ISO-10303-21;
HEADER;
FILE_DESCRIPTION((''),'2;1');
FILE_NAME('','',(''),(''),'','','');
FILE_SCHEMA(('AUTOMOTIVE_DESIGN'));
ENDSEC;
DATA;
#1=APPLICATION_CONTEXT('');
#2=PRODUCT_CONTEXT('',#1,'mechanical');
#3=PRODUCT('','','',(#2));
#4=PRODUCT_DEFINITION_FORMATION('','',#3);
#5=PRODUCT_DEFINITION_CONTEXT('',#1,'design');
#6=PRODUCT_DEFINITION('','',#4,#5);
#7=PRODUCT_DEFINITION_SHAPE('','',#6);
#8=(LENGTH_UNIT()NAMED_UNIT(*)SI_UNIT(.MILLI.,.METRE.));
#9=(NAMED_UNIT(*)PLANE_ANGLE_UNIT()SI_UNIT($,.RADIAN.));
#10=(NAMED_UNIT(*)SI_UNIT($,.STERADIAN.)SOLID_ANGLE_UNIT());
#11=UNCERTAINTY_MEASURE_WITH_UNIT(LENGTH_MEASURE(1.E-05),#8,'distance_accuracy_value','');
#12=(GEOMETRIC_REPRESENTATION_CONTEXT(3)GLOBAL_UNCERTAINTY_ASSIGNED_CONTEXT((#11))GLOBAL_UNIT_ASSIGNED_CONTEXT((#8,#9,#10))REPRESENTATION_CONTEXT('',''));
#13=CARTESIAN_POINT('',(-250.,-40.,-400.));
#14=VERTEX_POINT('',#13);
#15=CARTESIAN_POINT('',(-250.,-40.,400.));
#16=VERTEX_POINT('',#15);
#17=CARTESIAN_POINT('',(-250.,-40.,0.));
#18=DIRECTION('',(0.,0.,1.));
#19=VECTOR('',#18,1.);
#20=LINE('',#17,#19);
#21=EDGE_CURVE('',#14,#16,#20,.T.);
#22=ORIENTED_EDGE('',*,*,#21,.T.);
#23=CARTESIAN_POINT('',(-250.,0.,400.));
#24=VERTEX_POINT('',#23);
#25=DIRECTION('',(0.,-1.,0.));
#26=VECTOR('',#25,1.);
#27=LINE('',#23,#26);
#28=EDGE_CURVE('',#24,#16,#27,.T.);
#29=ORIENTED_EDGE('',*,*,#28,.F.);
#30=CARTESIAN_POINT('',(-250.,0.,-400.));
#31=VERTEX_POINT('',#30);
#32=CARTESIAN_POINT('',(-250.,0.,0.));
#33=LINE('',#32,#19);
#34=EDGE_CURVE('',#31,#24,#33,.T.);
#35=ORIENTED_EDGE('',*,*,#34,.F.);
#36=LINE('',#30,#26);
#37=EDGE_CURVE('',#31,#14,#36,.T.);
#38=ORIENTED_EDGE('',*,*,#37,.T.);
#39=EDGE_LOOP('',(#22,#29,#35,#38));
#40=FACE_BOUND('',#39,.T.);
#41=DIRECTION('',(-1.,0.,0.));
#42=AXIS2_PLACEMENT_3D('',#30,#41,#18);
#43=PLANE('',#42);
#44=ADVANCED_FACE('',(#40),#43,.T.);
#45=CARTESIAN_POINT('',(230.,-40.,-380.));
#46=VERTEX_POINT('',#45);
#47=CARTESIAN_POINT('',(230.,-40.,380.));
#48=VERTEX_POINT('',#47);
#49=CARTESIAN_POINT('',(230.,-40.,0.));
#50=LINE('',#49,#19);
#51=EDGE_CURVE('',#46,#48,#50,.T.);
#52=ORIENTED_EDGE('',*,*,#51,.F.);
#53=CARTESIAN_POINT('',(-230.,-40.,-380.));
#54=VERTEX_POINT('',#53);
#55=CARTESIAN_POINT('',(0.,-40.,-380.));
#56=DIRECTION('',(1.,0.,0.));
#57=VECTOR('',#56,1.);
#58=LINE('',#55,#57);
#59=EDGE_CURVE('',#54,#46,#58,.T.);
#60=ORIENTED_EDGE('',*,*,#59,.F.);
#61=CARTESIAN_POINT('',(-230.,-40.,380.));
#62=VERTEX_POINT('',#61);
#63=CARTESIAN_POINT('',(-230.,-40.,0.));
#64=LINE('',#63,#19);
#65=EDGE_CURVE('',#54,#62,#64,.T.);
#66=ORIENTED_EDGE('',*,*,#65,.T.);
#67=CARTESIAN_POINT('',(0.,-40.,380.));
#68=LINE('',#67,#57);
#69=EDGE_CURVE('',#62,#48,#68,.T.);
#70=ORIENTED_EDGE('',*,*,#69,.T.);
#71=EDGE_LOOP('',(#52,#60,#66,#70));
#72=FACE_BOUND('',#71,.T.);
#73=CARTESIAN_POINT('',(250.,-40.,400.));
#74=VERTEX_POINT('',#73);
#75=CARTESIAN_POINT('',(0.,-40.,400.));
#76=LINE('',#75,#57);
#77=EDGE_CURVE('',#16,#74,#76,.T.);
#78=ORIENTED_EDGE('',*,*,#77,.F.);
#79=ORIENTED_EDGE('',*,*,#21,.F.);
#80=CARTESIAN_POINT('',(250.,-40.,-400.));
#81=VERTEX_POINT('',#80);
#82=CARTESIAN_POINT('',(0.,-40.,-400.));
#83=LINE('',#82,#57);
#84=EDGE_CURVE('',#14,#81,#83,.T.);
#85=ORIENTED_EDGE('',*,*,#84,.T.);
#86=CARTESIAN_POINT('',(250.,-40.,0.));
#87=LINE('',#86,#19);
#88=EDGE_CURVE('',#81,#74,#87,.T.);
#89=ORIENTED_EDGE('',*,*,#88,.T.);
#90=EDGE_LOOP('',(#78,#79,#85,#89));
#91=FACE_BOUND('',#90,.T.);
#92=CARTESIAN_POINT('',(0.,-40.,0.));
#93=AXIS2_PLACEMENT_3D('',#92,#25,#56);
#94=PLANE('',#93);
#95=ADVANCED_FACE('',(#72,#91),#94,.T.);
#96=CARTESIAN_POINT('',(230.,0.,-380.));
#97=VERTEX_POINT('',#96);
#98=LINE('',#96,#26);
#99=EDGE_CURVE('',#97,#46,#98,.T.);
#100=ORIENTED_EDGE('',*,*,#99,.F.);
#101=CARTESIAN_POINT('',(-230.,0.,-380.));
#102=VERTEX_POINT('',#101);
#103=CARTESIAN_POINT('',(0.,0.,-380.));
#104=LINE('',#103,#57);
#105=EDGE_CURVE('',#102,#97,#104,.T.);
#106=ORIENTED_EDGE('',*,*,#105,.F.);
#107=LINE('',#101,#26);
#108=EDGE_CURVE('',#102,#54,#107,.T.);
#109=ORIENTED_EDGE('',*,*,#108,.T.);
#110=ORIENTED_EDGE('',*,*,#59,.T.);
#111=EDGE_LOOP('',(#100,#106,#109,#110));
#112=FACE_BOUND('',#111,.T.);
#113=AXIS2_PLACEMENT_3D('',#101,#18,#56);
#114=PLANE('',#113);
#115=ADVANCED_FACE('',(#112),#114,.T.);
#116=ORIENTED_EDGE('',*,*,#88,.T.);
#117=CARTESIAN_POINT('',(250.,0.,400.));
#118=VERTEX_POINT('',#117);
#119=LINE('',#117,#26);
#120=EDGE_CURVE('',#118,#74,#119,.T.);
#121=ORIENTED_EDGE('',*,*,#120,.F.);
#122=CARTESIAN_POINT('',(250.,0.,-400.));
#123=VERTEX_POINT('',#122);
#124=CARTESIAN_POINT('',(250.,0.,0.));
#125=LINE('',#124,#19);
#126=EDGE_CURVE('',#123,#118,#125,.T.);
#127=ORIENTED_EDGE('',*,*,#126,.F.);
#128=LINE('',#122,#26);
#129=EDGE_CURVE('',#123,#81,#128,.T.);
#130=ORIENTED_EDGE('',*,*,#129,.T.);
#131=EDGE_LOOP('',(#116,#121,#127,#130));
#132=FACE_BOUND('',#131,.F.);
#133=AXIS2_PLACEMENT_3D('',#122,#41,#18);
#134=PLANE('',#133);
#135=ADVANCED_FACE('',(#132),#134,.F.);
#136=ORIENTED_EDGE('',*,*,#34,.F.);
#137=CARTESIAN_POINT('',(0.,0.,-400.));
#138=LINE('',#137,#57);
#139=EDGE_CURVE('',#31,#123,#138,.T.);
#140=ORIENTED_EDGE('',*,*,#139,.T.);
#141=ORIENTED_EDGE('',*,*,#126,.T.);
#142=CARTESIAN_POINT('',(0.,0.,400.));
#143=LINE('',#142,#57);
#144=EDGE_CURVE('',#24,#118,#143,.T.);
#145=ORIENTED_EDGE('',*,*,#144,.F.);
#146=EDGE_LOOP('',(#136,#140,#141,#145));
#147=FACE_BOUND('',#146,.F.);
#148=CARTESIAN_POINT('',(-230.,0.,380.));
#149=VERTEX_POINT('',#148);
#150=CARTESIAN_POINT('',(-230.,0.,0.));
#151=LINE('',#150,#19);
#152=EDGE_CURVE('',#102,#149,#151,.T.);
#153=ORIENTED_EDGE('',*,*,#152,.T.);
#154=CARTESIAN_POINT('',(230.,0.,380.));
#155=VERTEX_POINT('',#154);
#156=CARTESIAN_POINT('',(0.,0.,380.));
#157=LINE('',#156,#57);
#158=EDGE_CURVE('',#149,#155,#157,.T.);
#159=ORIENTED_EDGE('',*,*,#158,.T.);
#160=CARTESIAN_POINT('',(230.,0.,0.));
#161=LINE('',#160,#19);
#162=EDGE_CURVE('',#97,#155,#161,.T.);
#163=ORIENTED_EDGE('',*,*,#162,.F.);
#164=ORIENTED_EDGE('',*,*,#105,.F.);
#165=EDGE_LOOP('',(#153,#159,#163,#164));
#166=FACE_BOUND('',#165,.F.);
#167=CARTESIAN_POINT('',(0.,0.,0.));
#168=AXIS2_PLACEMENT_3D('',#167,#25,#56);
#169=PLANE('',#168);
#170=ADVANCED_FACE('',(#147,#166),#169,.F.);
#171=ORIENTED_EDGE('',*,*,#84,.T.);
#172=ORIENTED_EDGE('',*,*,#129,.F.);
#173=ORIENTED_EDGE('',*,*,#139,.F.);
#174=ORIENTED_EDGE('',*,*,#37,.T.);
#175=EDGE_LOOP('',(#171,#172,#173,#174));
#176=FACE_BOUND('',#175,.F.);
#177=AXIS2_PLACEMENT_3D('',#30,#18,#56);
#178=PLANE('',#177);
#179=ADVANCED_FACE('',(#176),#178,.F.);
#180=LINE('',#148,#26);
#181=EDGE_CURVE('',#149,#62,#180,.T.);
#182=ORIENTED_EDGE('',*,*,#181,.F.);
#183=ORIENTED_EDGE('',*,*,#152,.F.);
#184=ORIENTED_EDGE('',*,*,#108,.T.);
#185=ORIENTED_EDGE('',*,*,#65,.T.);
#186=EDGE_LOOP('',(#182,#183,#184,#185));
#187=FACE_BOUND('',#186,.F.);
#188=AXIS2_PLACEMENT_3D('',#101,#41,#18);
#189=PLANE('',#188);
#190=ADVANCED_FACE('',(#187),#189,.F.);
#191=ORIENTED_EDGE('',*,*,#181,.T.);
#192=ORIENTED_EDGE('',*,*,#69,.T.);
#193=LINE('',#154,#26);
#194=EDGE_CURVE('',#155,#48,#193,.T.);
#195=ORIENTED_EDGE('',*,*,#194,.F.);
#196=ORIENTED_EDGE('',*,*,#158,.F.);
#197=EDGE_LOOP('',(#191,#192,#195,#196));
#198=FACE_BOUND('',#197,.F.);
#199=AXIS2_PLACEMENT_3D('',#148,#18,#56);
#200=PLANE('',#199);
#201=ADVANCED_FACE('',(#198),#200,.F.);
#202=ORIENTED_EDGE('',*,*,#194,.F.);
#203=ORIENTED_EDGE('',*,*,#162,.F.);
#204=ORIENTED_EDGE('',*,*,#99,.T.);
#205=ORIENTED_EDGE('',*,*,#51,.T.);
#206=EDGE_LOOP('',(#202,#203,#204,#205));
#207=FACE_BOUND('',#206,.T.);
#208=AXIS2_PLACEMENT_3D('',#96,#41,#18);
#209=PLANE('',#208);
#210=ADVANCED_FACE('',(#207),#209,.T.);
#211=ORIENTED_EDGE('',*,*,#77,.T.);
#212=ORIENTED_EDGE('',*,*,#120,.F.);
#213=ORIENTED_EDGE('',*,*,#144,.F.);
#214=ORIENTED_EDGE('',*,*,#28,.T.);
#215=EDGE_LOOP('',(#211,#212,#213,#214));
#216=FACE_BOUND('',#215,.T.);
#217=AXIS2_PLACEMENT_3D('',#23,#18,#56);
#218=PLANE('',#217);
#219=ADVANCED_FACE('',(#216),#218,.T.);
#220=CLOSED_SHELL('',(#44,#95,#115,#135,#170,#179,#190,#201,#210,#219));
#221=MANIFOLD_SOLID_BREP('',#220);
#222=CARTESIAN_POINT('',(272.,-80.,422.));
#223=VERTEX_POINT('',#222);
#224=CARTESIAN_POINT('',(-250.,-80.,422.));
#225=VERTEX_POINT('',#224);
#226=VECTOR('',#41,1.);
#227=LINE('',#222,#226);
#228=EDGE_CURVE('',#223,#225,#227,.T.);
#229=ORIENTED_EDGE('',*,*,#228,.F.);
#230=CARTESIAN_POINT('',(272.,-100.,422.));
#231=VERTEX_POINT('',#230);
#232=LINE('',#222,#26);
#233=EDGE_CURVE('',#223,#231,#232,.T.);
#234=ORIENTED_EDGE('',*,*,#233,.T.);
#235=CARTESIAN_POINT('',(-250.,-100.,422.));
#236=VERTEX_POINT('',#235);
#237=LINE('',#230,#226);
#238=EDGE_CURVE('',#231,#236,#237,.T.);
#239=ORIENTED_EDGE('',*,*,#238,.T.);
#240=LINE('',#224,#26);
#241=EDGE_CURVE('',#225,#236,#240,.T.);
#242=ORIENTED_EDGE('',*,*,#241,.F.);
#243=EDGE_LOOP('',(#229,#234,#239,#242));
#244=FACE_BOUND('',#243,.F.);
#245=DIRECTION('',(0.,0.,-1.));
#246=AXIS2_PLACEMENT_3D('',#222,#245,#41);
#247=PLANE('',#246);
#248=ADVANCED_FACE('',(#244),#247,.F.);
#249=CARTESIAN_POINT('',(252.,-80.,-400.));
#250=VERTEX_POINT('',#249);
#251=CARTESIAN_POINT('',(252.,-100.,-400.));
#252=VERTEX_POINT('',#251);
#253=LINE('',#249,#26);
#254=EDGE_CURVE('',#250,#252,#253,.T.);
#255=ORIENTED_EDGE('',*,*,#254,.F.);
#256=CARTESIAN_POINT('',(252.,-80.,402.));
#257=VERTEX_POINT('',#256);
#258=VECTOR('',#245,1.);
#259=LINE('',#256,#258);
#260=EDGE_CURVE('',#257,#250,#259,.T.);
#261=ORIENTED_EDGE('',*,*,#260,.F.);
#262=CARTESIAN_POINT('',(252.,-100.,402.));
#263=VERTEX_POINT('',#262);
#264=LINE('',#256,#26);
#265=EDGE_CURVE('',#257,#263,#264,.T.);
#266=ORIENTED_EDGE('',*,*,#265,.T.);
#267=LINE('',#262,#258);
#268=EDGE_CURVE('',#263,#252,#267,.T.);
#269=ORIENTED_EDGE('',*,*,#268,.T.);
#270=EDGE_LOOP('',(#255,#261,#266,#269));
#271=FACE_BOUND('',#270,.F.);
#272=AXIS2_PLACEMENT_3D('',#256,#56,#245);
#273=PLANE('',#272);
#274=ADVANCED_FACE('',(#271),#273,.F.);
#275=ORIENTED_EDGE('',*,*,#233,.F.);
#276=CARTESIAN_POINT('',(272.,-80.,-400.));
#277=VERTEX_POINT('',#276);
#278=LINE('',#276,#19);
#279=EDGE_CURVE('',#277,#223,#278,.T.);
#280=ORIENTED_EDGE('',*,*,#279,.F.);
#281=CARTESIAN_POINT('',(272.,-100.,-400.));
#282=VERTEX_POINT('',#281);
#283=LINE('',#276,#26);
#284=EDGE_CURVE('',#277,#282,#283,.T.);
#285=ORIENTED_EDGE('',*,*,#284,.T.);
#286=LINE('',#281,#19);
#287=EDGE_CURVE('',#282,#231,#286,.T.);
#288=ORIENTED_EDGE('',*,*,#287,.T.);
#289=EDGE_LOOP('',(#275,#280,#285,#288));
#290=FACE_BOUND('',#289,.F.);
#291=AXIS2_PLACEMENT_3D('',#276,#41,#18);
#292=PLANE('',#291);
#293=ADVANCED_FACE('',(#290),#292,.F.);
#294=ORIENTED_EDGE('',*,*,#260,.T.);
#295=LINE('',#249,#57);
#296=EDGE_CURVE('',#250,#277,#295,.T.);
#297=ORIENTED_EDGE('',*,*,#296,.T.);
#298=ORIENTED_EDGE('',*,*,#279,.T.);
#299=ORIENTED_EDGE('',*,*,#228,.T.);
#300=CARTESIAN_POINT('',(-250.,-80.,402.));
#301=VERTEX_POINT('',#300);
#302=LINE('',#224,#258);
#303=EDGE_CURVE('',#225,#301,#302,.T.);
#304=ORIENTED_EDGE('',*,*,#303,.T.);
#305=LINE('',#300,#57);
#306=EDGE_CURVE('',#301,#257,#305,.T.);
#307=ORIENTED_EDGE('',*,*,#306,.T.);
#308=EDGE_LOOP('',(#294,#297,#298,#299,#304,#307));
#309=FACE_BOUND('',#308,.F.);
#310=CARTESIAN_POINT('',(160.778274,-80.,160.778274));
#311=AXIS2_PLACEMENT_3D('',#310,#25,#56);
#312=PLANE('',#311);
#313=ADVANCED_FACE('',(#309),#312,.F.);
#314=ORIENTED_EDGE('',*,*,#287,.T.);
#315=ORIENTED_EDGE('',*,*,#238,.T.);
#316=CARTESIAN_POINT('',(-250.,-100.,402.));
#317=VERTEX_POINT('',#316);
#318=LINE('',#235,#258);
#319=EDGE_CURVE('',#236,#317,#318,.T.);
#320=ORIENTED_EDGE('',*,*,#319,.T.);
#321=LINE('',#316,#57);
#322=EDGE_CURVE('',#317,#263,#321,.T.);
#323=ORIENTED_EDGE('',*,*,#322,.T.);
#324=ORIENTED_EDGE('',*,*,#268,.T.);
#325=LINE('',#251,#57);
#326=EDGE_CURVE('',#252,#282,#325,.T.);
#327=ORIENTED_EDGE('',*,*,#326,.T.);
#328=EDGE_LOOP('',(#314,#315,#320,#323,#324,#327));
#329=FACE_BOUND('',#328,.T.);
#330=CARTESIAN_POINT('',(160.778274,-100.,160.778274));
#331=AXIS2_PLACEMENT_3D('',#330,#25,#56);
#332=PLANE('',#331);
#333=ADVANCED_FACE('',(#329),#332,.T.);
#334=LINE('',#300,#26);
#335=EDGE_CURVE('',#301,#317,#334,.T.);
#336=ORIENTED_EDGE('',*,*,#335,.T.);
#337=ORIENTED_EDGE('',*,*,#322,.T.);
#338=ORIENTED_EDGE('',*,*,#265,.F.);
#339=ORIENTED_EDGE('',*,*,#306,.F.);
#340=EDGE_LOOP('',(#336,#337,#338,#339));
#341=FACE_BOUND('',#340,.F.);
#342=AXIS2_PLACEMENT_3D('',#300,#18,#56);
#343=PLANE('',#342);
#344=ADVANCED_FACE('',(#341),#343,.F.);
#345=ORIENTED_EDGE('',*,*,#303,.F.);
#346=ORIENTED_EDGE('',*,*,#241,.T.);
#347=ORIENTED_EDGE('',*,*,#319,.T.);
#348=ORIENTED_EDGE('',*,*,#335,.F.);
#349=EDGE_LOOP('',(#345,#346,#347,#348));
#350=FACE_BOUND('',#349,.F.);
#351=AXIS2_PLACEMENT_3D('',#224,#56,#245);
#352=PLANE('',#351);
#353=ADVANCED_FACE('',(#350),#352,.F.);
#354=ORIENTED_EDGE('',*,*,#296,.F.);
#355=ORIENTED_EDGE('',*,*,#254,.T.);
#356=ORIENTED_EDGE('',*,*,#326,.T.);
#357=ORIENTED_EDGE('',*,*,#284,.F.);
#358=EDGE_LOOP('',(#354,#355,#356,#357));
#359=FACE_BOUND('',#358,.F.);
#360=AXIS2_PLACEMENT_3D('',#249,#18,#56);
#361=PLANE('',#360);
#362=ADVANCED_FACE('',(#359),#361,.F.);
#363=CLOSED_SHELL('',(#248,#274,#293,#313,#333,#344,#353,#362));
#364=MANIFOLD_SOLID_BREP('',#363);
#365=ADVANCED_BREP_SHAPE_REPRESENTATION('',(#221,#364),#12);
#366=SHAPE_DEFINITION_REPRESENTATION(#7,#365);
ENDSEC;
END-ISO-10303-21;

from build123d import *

# Parameters (mm, degrees)
F0_W     = 500
F0_H     = 800
F0_W_2   = 460
F0_H_2   = 760
F1_DEPTH = 40
F4_DEPTH = 20


with BuildPart() as f1:
    # F0 (on Front) → F1 (new body)
    with BuildSketch(Plane.XZ):
        Rectangle(F0_W, F0_H)
        Rectangle(F0_W_2, F0_H_2, mode=Mode.SUBTRACT)
    extrude(amount=F1_DEPTH)


with BuildPart() as f4:
    # F3 (on offset) → F4 (new body)
    with BuildSketch(Plane.XZ.offset(80)):
        Polygon((-250, 402), (252, 402), (252, -400), (272, -400), (272, 422), (-250, 422), align=None)
    extrude(amount=F4_DEPTH)


solid = Compound([f1.part, f4.part])
